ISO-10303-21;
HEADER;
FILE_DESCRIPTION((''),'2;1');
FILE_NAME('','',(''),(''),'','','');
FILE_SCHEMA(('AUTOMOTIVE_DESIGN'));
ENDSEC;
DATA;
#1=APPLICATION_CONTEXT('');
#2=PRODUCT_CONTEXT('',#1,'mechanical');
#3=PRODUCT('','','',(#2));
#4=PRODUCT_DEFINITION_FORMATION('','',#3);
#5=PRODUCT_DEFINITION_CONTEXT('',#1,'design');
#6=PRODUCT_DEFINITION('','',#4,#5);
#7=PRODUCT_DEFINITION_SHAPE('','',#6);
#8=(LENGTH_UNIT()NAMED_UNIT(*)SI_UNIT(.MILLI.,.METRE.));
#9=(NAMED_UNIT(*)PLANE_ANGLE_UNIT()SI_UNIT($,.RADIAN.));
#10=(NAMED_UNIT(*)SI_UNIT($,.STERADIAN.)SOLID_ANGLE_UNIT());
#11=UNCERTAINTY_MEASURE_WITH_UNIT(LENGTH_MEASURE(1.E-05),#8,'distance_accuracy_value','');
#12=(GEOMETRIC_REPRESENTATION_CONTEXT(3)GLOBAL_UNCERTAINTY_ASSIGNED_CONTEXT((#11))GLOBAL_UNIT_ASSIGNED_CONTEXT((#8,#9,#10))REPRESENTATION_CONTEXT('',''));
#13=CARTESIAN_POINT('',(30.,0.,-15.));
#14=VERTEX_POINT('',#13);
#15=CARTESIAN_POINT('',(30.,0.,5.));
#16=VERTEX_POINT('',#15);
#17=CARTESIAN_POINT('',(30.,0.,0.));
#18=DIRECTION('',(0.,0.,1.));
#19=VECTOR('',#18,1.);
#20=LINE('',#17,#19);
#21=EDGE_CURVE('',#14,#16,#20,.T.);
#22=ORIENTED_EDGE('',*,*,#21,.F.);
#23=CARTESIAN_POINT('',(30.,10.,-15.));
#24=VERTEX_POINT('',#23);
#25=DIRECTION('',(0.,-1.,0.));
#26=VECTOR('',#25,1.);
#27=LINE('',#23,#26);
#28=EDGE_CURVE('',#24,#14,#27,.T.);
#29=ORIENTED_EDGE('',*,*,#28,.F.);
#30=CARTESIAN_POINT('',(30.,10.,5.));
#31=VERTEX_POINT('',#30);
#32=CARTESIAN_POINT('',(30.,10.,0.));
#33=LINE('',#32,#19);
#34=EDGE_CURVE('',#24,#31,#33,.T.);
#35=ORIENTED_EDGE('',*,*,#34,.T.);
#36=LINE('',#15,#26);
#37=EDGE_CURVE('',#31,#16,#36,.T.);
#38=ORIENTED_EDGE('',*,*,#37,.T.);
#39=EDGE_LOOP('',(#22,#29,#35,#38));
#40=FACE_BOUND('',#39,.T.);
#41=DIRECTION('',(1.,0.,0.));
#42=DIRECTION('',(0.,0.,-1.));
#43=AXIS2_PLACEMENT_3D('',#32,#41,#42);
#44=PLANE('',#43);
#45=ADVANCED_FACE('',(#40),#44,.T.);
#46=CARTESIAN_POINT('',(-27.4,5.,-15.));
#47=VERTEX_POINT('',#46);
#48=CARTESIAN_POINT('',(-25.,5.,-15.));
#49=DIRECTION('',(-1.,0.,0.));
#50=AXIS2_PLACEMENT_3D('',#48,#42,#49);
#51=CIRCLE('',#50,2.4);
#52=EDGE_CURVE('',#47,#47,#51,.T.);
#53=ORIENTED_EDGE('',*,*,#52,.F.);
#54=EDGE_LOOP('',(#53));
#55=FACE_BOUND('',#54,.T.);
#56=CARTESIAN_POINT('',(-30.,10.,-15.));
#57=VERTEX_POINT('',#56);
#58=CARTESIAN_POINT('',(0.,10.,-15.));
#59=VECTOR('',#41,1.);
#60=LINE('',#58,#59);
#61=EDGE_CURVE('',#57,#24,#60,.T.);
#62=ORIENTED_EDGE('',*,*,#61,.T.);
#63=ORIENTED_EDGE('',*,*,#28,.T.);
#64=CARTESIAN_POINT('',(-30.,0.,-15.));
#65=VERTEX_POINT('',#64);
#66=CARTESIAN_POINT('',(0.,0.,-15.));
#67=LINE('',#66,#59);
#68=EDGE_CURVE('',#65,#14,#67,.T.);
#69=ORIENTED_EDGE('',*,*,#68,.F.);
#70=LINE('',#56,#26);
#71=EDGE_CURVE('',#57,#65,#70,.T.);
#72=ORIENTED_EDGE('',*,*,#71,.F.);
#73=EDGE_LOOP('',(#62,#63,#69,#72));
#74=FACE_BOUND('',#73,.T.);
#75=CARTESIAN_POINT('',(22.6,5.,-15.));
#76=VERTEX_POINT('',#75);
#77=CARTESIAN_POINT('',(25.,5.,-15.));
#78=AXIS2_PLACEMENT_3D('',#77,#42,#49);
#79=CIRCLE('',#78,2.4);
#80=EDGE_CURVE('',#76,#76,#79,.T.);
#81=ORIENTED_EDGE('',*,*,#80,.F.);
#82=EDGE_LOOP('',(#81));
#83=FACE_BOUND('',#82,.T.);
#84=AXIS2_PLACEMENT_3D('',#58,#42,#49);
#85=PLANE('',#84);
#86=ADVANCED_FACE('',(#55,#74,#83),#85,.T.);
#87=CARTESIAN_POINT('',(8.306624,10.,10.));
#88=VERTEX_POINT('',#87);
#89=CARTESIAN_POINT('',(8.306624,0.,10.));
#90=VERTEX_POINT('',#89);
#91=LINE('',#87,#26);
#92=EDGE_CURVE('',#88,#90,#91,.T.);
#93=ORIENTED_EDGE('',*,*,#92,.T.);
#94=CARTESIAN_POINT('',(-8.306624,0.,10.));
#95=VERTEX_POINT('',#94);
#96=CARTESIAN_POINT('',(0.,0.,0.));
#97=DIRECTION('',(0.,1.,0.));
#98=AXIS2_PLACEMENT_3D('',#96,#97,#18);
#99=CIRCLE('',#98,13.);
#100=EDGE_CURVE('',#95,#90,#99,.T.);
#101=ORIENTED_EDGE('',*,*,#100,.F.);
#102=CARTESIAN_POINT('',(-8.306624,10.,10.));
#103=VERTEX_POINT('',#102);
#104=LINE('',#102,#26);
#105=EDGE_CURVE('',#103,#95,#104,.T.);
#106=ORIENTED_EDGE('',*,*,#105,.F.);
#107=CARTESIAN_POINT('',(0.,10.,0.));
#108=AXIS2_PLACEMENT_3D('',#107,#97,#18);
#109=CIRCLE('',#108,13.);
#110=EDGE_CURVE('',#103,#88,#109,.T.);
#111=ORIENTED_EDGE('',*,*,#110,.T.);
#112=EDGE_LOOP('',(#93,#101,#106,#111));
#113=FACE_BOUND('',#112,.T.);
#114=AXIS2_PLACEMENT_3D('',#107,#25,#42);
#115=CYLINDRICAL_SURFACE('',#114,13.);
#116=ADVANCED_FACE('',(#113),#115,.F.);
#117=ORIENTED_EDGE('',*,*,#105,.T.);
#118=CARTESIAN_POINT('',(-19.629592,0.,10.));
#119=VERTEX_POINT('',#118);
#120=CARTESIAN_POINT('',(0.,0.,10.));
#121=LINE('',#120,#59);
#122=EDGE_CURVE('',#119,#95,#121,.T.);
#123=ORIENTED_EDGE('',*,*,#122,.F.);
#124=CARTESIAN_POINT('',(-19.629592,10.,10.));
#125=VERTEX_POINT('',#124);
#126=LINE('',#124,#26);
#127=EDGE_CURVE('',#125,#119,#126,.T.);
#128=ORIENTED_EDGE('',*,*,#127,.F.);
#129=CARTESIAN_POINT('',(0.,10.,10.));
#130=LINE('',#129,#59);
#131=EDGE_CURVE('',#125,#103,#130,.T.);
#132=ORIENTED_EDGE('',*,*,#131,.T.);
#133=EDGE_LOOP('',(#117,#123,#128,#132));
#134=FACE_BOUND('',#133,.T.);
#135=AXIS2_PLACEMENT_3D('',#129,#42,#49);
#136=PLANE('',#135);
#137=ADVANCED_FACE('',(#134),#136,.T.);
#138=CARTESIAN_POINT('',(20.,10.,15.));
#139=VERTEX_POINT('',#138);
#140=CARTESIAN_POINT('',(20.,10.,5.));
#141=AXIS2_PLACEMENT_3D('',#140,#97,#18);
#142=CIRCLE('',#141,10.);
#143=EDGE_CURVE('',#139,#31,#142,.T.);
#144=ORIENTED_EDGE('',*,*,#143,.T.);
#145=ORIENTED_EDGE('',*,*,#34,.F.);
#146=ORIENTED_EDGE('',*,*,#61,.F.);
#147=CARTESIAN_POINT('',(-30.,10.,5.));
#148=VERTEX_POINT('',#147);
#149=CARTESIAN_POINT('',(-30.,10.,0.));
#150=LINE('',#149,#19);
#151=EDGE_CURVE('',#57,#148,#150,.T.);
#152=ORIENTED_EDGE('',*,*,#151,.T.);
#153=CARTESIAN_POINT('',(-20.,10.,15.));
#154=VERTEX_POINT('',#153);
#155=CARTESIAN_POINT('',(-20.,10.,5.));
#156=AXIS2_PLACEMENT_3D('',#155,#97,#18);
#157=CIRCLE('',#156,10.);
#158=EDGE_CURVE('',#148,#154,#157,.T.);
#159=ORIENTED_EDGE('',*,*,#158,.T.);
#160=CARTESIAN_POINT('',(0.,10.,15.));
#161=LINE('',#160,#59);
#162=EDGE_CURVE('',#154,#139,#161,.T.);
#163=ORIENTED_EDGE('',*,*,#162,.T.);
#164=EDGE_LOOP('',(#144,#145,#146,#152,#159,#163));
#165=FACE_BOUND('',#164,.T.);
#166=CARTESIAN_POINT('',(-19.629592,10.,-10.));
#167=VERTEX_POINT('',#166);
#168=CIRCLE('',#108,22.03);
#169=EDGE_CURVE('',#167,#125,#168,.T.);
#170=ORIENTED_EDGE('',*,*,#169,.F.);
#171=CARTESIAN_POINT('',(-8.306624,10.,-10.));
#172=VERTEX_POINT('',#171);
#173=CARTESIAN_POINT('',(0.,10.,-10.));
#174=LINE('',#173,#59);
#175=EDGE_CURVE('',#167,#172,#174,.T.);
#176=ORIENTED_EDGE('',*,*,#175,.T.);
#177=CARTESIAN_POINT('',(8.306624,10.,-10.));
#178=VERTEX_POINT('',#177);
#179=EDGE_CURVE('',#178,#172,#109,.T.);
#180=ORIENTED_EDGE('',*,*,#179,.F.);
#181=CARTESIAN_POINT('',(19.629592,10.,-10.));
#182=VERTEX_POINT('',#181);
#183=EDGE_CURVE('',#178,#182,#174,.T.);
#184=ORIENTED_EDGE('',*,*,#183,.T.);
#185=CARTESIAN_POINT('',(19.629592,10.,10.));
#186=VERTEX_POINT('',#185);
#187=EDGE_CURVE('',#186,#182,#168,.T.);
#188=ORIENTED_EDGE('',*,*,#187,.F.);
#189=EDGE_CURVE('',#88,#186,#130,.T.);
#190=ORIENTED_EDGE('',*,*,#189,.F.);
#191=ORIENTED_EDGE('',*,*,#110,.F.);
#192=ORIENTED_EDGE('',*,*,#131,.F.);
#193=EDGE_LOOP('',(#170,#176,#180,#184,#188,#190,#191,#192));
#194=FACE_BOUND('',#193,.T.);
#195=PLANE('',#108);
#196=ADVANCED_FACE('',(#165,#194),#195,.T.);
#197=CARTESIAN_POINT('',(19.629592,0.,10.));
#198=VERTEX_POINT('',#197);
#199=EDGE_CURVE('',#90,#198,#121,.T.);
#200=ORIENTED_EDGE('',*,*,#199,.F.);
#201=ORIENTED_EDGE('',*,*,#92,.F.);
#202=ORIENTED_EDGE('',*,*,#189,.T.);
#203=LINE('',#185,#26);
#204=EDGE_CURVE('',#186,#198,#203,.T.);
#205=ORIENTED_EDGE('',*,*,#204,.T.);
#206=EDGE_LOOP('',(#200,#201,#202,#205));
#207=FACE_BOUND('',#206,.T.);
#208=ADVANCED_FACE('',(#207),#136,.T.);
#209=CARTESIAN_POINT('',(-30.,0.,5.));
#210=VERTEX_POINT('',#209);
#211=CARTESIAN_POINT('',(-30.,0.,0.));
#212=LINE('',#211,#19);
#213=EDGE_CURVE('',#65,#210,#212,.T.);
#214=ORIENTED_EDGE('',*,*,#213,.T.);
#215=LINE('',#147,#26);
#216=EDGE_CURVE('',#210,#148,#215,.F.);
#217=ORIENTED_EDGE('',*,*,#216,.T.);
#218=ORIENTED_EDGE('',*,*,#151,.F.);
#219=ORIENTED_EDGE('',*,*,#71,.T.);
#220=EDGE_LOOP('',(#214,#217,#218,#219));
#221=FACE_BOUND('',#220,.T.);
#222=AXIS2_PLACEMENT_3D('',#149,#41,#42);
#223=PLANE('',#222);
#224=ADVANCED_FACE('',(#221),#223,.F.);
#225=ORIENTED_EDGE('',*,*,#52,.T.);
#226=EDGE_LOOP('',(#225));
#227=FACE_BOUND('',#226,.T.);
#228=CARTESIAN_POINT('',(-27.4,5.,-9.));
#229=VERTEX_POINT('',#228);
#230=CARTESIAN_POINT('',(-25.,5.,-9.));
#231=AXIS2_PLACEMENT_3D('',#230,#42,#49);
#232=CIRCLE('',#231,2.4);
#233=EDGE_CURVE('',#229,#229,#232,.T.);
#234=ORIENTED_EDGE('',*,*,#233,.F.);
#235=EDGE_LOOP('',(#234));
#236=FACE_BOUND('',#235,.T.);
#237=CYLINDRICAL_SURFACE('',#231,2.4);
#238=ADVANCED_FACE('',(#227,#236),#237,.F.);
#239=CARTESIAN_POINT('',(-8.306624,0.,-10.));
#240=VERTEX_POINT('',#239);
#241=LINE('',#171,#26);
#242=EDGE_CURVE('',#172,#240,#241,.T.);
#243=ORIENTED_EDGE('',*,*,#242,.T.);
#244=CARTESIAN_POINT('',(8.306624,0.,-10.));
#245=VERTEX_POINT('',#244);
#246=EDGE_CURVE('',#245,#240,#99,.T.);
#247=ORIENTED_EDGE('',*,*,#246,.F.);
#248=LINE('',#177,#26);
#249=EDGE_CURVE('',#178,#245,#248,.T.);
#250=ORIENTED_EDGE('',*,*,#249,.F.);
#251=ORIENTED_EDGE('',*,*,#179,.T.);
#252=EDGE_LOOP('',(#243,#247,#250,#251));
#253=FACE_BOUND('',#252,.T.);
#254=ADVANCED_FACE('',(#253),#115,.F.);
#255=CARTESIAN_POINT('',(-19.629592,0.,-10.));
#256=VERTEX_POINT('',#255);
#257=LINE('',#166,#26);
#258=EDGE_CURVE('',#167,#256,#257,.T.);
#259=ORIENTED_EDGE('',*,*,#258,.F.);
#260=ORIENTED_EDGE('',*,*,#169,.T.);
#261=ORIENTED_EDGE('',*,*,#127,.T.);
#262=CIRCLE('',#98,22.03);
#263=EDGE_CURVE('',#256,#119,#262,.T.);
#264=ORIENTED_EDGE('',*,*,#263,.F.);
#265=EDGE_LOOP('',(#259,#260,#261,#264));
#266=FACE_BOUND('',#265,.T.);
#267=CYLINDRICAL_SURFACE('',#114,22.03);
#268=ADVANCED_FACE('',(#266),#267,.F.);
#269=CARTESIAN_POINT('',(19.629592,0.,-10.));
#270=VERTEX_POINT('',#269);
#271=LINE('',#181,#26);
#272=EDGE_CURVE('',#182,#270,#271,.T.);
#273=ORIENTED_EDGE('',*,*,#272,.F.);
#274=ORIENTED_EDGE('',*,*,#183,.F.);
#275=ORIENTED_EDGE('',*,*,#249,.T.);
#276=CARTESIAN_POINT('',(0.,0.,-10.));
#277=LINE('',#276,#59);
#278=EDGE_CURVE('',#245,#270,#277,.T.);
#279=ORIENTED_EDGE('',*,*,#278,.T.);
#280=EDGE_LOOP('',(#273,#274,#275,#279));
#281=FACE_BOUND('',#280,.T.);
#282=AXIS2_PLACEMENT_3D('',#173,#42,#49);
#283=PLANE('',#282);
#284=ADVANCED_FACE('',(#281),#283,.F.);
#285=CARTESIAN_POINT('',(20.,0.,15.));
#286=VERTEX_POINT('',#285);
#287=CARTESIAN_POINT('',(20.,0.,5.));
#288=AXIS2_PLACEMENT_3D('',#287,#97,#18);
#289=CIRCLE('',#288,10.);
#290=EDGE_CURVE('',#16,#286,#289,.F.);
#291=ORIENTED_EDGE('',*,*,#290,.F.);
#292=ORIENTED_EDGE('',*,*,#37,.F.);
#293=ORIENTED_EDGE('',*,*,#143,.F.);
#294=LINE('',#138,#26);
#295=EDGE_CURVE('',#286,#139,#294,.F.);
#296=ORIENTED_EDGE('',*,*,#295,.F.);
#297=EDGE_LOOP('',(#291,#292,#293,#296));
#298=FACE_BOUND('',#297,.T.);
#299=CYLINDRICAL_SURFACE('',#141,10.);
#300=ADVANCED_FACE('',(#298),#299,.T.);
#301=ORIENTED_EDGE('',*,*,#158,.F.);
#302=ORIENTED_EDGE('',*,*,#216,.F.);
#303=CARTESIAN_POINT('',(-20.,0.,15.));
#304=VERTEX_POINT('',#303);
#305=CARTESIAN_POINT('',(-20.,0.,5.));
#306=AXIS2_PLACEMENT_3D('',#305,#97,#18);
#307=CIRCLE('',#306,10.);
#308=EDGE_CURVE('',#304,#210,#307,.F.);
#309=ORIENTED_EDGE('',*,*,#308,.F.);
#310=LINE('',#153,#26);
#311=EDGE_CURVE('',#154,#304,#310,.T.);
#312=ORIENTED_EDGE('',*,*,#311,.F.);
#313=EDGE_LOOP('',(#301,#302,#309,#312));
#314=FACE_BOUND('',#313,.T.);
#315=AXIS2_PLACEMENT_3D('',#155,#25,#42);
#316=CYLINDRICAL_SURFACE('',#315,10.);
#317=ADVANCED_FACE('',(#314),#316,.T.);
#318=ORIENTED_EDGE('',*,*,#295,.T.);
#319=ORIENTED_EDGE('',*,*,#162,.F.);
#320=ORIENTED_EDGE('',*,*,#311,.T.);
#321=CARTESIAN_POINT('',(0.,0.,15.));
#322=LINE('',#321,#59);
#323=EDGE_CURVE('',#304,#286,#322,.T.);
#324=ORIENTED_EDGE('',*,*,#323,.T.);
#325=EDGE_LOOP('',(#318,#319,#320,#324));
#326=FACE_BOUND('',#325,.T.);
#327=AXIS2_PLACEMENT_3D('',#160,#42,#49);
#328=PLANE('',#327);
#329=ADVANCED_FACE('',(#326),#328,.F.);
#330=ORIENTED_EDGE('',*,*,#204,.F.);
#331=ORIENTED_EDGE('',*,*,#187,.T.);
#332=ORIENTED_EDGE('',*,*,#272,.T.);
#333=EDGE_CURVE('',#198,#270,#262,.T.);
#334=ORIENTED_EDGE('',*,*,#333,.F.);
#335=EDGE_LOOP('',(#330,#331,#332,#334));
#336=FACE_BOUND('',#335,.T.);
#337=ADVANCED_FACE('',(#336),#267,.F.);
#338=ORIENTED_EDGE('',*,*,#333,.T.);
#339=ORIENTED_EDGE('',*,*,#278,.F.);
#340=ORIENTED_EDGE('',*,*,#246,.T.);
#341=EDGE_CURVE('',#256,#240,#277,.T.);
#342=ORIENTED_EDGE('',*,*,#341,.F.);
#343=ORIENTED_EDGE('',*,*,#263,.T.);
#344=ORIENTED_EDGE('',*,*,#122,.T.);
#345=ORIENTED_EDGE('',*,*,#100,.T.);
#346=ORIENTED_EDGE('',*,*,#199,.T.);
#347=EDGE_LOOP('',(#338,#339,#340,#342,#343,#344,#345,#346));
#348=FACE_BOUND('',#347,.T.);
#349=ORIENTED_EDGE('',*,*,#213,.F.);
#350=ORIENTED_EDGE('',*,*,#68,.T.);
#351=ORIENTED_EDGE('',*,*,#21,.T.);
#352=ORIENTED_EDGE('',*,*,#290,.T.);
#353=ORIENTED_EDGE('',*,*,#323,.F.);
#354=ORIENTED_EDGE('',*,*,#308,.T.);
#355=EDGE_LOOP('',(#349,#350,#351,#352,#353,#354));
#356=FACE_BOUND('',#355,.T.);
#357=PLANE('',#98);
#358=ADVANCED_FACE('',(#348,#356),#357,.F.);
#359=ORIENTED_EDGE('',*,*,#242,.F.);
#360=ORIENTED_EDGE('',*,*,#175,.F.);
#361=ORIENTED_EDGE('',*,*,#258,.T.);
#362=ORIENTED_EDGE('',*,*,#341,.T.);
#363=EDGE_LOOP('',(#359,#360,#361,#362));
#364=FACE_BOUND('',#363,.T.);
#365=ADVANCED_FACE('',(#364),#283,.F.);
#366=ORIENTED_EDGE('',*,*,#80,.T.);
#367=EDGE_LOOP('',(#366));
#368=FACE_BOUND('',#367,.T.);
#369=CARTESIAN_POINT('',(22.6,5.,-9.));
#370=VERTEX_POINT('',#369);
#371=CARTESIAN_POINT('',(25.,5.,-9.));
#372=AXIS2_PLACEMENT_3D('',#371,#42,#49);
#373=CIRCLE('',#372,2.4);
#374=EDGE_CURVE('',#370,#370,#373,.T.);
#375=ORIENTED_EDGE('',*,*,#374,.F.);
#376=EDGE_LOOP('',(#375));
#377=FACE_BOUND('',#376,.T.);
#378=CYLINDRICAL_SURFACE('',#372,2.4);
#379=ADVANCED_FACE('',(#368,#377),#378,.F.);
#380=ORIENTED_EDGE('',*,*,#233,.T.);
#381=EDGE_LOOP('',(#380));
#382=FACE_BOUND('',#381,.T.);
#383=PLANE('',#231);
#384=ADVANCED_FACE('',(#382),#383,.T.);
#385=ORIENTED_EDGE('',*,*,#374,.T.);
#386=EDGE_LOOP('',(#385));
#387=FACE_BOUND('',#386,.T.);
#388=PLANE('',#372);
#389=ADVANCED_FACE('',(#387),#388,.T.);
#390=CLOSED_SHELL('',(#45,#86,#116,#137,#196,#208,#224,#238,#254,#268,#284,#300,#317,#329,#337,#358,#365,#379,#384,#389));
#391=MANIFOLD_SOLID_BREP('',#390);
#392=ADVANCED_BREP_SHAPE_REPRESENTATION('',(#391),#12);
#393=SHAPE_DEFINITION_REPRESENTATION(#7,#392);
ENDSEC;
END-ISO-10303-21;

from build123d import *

# Parameters (mm, degrees)
SKETCH_1_W          = 60
SKETCH_1_H          = 30
EXTRUDE_1_DEPTH     = 10
FILLET_1_R          = 10
SKETCH_2_R          = 2.4
CUT_EXTRUDE_1_DEPTH = 6


with BuildPart() as part:
    # ｽｹｯﾁ1 → ﾎﾞｽ - 押し出し1 (new body)
    with BuildSketch(Plane(origin=(0, 0, 0), x_dir=(1, 0, 0), z_dir=(0, 1, 0))):
        Rectangle(SKETCH_1_W, SKETCH_1_H)
        with BuildLine():
            Line((19.629592456, -10), (8.306623863, -10))
            ThreePointArc((8.306623863, -10), (0, -13), (-8.306623863, -10))
            Line((-8.306623863, -10), (-19.629592456, -10))
            ThreePointArc((-19.629592456, -10), (-22.03, 0), (-19.629592456, 10))
            Line((-19.629592456, 10), (-8.306623863, 10))
            ThreePointArc((-8.306623863, 10), (0, 13), (8.306623863, 10))
            Line((8.306623863, 10), (19.629592456, 10))
            ThreePointArc((19.629592456, 10), (22.03, 0), (19.629592456, -10))
        make_face(mode=Mode.SUBTRACT)
    extrude(amount=EXTRUDE_1_DEPTH)

    # ﾌｨﾚｯﾄ1
    fillet_1_edges = [part.edges().sort_by_distance(p)[0] for p in [
        (30, 5, 15),
        (-30, 5, 15),
    ]]
    fillet(fillet_1_edges, radius=FILLET_1_R)

    # ｽｹｯﾁ2 → ｶｯﾄ - 押し出し1 (cut)
    with BuildSketch(Plane(origin=(0, 0, -15), x_dir=(-1, 0, 0), z_dir=(0, 0, -1))):
        with Locations((25, 5)):
            Circle(SKETCH_2_R)
        with Locations((-25, 5)):
            Circle(SKETCH_2_R)
    extrude(amount=-CUT_EXTRUDE_1_DEPTH, mode=Mode.SUBTRACT)


solid = part.part
